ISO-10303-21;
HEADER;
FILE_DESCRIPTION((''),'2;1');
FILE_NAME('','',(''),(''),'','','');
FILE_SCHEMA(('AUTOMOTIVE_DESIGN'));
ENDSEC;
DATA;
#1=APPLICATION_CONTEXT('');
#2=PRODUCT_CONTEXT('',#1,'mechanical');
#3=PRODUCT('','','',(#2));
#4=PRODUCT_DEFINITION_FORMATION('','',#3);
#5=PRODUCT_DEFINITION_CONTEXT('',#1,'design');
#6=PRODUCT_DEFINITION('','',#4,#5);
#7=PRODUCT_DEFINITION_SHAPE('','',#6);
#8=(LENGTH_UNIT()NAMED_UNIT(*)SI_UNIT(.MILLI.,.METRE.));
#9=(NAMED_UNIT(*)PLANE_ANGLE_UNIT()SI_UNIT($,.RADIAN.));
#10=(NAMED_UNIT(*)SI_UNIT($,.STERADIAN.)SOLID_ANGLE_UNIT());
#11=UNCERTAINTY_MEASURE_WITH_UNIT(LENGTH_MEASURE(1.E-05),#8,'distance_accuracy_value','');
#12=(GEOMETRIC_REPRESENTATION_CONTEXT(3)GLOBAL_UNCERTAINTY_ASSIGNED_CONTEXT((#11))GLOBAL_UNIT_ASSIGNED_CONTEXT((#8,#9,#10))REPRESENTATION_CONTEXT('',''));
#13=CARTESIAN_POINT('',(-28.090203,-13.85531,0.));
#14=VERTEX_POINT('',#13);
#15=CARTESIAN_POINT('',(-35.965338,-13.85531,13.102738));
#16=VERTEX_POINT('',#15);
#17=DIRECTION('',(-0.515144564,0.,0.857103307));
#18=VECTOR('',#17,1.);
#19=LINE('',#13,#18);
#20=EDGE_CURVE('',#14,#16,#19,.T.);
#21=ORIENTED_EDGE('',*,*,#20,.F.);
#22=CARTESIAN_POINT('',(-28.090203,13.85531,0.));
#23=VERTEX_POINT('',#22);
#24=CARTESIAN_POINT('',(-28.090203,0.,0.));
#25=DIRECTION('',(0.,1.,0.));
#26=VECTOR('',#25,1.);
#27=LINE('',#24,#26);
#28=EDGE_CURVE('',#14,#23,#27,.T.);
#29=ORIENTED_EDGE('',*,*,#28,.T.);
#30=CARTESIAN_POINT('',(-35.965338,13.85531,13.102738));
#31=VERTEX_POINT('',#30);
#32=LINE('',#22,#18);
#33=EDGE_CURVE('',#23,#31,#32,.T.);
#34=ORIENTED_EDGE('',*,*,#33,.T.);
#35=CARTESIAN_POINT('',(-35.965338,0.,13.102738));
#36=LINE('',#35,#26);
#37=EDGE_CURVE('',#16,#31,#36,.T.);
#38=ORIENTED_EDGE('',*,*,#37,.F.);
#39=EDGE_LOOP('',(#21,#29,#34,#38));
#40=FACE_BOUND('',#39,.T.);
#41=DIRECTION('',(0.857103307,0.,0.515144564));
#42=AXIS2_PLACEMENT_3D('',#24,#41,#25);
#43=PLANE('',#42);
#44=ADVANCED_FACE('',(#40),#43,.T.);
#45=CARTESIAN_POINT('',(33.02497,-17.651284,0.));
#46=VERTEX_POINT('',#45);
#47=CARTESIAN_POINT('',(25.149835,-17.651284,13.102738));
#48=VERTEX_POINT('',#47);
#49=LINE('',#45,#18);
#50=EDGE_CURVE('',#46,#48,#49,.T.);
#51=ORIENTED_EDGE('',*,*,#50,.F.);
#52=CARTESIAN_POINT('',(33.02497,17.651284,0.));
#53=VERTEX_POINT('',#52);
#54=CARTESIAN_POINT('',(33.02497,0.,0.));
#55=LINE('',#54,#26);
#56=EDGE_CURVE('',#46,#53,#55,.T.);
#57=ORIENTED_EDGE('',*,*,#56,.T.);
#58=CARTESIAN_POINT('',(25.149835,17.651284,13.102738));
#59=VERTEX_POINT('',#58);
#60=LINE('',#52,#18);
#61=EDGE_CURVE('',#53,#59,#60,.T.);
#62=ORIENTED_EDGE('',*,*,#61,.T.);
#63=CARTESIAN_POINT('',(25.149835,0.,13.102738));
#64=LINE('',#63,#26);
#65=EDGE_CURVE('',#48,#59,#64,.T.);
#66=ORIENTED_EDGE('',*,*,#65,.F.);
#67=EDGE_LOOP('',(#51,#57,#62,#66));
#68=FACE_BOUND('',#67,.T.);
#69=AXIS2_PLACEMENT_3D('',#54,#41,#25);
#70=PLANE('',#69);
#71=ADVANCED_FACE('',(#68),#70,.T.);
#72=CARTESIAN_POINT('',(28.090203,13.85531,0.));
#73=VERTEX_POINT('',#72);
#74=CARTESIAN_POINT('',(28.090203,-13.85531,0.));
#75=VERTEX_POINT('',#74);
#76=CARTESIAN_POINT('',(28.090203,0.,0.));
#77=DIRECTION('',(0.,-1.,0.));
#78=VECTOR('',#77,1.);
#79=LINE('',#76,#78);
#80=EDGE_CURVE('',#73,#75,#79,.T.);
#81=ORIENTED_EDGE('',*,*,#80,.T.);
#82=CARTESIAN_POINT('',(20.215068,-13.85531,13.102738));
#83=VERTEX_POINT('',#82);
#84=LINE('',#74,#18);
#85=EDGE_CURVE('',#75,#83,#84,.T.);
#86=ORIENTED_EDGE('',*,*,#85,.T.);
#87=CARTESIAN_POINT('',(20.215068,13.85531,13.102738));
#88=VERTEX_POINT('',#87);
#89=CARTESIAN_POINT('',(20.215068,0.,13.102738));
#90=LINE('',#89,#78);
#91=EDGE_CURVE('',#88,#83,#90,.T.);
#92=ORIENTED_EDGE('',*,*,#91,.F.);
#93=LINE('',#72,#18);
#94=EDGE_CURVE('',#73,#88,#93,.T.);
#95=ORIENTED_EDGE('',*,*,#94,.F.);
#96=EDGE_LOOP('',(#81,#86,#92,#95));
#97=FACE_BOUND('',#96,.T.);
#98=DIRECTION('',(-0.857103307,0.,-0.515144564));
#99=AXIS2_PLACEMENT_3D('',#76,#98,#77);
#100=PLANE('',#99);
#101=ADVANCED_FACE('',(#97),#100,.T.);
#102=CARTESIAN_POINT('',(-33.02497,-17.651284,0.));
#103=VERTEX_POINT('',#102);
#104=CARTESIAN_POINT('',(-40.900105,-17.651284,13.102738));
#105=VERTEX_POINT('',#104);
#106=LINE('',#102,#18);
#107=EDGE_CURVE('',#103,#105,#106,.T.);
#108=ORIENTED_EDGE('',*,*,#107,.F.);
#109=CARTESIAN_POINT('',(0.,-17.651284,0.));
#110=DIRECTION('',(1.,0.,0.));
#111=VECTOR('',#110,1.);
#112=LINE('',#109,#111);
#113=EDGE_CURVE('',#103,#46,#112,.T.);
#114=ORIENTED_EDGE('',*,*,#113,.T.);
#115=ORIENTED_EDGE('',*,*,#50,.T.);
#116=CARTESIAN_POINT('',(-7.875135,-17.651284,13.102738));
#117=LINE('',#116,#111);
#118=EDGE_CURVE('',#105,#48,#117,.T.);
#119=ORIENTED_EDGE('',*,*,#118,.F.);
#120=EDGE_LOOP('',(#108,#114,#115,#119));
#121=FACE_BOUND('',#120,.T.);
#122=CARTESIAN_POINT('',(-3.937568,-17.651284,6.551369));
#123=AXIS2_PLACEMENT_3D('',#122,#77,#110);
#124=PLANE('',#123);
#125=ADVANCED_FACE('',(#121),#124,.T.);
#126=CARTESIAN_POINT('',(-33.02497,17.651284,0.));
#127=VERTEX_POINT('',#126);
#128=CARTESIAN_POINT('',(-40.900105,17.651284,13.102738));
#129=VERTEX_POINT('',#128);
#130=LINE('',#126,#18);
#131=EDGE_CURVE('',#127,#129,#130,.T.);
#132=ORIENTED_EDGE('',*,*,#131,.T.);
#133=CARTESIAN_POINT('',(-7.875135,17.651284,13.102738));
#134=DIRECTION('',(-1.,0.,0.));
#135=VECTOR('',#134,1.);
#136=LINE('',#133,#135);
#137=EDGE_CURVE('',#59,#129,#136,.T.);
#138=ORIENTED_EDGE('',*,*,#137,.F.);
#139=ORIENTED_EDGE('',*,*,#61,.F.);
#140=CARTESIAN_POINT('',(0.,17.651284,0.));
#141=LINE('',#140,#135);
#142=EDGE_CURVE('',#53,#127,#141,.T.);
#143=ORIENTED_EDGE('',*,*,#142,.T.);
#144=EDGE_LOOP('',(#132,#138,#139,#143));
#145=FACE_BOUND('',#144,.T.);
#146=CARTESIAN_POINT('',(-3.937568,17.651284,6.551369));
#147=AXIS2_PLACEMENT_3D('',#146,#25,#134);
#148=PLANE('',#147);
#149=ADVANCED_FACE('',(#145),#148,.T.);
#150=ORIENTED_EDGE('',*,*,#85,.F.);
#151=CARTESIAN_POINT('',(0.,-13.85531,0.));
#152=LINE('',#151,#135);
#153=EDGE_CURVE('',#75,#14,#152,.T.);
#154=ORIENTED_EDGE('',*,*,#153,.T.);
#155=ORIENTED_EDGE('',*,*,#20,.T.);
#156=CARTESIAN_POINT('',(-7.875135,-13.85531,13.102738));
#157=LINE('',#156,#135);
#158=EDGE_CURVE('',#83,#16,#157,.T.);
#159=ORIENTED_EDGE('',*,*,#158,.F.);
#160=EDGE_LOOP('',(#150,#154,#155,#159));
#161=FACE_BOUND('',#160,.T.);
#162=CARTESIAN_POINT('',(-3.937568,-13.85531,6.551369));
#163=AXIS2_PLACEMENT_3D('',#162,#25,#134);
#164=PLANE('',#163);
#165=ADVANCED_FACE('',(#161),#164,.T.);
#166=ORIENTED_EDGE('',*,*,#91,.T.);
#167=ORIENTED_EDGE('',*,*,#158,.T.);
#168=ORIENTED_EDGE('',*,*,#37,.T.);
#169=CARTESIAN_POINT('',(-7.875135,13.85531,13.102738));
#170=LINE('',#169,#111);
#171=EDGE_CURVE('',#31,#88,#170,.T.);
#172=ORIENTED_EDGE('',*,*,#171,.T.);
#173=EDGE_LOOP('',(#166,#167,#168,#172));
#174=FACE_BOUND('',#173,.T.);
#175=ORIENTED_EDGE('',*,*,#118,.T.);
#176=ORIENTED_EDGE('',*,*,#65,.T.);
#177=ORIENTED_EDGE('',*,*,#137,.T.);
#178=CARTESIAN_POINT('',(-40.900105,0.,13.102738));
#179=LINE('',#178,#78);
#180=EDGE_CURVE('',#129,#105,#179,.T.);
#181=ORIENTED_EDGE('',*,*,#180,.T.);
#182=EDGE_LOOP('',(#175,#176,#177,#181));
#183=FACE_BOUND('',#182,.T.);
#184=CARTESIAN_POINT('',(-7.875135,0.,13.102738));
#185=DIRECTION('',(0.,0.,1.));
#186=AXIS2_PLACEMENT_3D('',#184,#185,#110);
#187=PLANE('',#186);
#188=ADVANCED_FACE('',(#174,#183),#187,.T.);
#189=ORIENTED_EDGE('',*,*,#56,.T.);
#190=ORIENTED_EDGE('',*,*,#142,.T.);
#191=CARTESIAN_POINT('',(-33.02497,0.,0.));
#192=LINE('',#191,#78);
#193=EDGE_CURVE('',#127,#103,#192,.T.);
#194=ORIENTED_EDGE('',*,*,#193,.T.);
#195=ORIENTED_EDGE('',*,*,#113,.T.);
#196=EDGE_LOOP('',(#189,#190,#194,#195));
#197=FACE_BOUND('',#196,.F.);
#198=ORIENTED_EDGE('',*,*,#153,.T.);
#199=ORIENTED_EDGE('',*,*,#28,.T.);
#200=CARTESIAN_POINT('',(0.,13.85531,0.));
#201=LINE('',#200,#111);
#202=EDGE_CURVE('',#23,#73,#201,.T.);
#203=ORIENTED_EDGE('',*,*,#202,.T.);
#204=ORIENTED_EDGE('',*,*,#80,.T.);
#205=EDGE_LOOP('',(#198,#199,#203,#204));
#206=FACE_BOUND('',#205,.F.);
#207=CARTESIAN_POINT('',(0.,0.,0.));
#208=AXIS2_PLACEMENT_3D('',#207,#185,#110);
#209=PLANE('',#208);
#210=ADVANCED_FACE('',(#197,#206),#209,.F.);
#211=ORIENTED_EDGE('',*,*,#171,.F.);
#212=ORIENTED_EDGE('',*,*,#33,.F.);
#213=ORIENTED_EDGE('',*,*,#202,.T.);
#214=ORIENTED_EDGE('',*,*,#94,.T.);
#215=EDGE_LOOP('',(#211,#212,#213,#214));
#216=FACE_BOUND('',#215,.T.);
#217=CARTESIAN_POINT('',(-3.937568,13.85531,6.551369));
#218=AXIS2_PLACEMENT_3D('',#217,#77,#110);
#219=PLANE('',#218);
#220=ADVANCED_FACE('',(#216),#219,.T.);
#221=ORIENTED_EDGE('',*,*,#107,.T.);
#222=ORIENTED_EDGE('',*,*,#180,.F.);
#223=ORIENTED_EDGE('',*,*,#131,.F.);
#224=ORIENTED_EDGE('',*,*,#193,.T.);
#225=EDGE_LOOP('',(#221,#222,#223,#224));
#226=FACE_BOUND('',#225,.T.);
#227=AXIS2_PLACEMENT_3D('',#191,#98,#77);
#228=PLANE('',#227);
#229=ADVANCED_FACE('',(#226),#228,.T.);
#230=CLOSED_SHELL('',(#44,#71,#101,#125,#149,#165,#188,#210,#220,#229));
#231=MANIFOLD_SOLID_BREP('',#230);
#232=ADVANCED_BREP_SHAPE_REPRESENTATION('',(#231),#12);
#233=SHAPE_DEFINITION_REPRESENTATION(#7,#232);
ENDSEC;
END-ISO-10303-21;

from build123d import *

# Parameters (mm, degrees)
F0_W   = 66.04994
F0_H   = 35.302568
F0_W_2 = 56.180406
F0_H_2 = 27.71062


with BuildPart() as f2:
    # F2: sweep along a path in F1
    with BuildLine(Plane.XZ) as f2_path:
        Line((0, 0), (-7.875135, 13.102738))
    # F0 (on Top) → F2 (sweep)
    with BuildSketch(Plane.XY):
        Rectangle(F0_W, F0_H)
        Rectangle(F0_W_2, F0_H_2, mode=Mode.SUBTRACT)
    sweep(path=f2_path.line)


solid = f2.part
